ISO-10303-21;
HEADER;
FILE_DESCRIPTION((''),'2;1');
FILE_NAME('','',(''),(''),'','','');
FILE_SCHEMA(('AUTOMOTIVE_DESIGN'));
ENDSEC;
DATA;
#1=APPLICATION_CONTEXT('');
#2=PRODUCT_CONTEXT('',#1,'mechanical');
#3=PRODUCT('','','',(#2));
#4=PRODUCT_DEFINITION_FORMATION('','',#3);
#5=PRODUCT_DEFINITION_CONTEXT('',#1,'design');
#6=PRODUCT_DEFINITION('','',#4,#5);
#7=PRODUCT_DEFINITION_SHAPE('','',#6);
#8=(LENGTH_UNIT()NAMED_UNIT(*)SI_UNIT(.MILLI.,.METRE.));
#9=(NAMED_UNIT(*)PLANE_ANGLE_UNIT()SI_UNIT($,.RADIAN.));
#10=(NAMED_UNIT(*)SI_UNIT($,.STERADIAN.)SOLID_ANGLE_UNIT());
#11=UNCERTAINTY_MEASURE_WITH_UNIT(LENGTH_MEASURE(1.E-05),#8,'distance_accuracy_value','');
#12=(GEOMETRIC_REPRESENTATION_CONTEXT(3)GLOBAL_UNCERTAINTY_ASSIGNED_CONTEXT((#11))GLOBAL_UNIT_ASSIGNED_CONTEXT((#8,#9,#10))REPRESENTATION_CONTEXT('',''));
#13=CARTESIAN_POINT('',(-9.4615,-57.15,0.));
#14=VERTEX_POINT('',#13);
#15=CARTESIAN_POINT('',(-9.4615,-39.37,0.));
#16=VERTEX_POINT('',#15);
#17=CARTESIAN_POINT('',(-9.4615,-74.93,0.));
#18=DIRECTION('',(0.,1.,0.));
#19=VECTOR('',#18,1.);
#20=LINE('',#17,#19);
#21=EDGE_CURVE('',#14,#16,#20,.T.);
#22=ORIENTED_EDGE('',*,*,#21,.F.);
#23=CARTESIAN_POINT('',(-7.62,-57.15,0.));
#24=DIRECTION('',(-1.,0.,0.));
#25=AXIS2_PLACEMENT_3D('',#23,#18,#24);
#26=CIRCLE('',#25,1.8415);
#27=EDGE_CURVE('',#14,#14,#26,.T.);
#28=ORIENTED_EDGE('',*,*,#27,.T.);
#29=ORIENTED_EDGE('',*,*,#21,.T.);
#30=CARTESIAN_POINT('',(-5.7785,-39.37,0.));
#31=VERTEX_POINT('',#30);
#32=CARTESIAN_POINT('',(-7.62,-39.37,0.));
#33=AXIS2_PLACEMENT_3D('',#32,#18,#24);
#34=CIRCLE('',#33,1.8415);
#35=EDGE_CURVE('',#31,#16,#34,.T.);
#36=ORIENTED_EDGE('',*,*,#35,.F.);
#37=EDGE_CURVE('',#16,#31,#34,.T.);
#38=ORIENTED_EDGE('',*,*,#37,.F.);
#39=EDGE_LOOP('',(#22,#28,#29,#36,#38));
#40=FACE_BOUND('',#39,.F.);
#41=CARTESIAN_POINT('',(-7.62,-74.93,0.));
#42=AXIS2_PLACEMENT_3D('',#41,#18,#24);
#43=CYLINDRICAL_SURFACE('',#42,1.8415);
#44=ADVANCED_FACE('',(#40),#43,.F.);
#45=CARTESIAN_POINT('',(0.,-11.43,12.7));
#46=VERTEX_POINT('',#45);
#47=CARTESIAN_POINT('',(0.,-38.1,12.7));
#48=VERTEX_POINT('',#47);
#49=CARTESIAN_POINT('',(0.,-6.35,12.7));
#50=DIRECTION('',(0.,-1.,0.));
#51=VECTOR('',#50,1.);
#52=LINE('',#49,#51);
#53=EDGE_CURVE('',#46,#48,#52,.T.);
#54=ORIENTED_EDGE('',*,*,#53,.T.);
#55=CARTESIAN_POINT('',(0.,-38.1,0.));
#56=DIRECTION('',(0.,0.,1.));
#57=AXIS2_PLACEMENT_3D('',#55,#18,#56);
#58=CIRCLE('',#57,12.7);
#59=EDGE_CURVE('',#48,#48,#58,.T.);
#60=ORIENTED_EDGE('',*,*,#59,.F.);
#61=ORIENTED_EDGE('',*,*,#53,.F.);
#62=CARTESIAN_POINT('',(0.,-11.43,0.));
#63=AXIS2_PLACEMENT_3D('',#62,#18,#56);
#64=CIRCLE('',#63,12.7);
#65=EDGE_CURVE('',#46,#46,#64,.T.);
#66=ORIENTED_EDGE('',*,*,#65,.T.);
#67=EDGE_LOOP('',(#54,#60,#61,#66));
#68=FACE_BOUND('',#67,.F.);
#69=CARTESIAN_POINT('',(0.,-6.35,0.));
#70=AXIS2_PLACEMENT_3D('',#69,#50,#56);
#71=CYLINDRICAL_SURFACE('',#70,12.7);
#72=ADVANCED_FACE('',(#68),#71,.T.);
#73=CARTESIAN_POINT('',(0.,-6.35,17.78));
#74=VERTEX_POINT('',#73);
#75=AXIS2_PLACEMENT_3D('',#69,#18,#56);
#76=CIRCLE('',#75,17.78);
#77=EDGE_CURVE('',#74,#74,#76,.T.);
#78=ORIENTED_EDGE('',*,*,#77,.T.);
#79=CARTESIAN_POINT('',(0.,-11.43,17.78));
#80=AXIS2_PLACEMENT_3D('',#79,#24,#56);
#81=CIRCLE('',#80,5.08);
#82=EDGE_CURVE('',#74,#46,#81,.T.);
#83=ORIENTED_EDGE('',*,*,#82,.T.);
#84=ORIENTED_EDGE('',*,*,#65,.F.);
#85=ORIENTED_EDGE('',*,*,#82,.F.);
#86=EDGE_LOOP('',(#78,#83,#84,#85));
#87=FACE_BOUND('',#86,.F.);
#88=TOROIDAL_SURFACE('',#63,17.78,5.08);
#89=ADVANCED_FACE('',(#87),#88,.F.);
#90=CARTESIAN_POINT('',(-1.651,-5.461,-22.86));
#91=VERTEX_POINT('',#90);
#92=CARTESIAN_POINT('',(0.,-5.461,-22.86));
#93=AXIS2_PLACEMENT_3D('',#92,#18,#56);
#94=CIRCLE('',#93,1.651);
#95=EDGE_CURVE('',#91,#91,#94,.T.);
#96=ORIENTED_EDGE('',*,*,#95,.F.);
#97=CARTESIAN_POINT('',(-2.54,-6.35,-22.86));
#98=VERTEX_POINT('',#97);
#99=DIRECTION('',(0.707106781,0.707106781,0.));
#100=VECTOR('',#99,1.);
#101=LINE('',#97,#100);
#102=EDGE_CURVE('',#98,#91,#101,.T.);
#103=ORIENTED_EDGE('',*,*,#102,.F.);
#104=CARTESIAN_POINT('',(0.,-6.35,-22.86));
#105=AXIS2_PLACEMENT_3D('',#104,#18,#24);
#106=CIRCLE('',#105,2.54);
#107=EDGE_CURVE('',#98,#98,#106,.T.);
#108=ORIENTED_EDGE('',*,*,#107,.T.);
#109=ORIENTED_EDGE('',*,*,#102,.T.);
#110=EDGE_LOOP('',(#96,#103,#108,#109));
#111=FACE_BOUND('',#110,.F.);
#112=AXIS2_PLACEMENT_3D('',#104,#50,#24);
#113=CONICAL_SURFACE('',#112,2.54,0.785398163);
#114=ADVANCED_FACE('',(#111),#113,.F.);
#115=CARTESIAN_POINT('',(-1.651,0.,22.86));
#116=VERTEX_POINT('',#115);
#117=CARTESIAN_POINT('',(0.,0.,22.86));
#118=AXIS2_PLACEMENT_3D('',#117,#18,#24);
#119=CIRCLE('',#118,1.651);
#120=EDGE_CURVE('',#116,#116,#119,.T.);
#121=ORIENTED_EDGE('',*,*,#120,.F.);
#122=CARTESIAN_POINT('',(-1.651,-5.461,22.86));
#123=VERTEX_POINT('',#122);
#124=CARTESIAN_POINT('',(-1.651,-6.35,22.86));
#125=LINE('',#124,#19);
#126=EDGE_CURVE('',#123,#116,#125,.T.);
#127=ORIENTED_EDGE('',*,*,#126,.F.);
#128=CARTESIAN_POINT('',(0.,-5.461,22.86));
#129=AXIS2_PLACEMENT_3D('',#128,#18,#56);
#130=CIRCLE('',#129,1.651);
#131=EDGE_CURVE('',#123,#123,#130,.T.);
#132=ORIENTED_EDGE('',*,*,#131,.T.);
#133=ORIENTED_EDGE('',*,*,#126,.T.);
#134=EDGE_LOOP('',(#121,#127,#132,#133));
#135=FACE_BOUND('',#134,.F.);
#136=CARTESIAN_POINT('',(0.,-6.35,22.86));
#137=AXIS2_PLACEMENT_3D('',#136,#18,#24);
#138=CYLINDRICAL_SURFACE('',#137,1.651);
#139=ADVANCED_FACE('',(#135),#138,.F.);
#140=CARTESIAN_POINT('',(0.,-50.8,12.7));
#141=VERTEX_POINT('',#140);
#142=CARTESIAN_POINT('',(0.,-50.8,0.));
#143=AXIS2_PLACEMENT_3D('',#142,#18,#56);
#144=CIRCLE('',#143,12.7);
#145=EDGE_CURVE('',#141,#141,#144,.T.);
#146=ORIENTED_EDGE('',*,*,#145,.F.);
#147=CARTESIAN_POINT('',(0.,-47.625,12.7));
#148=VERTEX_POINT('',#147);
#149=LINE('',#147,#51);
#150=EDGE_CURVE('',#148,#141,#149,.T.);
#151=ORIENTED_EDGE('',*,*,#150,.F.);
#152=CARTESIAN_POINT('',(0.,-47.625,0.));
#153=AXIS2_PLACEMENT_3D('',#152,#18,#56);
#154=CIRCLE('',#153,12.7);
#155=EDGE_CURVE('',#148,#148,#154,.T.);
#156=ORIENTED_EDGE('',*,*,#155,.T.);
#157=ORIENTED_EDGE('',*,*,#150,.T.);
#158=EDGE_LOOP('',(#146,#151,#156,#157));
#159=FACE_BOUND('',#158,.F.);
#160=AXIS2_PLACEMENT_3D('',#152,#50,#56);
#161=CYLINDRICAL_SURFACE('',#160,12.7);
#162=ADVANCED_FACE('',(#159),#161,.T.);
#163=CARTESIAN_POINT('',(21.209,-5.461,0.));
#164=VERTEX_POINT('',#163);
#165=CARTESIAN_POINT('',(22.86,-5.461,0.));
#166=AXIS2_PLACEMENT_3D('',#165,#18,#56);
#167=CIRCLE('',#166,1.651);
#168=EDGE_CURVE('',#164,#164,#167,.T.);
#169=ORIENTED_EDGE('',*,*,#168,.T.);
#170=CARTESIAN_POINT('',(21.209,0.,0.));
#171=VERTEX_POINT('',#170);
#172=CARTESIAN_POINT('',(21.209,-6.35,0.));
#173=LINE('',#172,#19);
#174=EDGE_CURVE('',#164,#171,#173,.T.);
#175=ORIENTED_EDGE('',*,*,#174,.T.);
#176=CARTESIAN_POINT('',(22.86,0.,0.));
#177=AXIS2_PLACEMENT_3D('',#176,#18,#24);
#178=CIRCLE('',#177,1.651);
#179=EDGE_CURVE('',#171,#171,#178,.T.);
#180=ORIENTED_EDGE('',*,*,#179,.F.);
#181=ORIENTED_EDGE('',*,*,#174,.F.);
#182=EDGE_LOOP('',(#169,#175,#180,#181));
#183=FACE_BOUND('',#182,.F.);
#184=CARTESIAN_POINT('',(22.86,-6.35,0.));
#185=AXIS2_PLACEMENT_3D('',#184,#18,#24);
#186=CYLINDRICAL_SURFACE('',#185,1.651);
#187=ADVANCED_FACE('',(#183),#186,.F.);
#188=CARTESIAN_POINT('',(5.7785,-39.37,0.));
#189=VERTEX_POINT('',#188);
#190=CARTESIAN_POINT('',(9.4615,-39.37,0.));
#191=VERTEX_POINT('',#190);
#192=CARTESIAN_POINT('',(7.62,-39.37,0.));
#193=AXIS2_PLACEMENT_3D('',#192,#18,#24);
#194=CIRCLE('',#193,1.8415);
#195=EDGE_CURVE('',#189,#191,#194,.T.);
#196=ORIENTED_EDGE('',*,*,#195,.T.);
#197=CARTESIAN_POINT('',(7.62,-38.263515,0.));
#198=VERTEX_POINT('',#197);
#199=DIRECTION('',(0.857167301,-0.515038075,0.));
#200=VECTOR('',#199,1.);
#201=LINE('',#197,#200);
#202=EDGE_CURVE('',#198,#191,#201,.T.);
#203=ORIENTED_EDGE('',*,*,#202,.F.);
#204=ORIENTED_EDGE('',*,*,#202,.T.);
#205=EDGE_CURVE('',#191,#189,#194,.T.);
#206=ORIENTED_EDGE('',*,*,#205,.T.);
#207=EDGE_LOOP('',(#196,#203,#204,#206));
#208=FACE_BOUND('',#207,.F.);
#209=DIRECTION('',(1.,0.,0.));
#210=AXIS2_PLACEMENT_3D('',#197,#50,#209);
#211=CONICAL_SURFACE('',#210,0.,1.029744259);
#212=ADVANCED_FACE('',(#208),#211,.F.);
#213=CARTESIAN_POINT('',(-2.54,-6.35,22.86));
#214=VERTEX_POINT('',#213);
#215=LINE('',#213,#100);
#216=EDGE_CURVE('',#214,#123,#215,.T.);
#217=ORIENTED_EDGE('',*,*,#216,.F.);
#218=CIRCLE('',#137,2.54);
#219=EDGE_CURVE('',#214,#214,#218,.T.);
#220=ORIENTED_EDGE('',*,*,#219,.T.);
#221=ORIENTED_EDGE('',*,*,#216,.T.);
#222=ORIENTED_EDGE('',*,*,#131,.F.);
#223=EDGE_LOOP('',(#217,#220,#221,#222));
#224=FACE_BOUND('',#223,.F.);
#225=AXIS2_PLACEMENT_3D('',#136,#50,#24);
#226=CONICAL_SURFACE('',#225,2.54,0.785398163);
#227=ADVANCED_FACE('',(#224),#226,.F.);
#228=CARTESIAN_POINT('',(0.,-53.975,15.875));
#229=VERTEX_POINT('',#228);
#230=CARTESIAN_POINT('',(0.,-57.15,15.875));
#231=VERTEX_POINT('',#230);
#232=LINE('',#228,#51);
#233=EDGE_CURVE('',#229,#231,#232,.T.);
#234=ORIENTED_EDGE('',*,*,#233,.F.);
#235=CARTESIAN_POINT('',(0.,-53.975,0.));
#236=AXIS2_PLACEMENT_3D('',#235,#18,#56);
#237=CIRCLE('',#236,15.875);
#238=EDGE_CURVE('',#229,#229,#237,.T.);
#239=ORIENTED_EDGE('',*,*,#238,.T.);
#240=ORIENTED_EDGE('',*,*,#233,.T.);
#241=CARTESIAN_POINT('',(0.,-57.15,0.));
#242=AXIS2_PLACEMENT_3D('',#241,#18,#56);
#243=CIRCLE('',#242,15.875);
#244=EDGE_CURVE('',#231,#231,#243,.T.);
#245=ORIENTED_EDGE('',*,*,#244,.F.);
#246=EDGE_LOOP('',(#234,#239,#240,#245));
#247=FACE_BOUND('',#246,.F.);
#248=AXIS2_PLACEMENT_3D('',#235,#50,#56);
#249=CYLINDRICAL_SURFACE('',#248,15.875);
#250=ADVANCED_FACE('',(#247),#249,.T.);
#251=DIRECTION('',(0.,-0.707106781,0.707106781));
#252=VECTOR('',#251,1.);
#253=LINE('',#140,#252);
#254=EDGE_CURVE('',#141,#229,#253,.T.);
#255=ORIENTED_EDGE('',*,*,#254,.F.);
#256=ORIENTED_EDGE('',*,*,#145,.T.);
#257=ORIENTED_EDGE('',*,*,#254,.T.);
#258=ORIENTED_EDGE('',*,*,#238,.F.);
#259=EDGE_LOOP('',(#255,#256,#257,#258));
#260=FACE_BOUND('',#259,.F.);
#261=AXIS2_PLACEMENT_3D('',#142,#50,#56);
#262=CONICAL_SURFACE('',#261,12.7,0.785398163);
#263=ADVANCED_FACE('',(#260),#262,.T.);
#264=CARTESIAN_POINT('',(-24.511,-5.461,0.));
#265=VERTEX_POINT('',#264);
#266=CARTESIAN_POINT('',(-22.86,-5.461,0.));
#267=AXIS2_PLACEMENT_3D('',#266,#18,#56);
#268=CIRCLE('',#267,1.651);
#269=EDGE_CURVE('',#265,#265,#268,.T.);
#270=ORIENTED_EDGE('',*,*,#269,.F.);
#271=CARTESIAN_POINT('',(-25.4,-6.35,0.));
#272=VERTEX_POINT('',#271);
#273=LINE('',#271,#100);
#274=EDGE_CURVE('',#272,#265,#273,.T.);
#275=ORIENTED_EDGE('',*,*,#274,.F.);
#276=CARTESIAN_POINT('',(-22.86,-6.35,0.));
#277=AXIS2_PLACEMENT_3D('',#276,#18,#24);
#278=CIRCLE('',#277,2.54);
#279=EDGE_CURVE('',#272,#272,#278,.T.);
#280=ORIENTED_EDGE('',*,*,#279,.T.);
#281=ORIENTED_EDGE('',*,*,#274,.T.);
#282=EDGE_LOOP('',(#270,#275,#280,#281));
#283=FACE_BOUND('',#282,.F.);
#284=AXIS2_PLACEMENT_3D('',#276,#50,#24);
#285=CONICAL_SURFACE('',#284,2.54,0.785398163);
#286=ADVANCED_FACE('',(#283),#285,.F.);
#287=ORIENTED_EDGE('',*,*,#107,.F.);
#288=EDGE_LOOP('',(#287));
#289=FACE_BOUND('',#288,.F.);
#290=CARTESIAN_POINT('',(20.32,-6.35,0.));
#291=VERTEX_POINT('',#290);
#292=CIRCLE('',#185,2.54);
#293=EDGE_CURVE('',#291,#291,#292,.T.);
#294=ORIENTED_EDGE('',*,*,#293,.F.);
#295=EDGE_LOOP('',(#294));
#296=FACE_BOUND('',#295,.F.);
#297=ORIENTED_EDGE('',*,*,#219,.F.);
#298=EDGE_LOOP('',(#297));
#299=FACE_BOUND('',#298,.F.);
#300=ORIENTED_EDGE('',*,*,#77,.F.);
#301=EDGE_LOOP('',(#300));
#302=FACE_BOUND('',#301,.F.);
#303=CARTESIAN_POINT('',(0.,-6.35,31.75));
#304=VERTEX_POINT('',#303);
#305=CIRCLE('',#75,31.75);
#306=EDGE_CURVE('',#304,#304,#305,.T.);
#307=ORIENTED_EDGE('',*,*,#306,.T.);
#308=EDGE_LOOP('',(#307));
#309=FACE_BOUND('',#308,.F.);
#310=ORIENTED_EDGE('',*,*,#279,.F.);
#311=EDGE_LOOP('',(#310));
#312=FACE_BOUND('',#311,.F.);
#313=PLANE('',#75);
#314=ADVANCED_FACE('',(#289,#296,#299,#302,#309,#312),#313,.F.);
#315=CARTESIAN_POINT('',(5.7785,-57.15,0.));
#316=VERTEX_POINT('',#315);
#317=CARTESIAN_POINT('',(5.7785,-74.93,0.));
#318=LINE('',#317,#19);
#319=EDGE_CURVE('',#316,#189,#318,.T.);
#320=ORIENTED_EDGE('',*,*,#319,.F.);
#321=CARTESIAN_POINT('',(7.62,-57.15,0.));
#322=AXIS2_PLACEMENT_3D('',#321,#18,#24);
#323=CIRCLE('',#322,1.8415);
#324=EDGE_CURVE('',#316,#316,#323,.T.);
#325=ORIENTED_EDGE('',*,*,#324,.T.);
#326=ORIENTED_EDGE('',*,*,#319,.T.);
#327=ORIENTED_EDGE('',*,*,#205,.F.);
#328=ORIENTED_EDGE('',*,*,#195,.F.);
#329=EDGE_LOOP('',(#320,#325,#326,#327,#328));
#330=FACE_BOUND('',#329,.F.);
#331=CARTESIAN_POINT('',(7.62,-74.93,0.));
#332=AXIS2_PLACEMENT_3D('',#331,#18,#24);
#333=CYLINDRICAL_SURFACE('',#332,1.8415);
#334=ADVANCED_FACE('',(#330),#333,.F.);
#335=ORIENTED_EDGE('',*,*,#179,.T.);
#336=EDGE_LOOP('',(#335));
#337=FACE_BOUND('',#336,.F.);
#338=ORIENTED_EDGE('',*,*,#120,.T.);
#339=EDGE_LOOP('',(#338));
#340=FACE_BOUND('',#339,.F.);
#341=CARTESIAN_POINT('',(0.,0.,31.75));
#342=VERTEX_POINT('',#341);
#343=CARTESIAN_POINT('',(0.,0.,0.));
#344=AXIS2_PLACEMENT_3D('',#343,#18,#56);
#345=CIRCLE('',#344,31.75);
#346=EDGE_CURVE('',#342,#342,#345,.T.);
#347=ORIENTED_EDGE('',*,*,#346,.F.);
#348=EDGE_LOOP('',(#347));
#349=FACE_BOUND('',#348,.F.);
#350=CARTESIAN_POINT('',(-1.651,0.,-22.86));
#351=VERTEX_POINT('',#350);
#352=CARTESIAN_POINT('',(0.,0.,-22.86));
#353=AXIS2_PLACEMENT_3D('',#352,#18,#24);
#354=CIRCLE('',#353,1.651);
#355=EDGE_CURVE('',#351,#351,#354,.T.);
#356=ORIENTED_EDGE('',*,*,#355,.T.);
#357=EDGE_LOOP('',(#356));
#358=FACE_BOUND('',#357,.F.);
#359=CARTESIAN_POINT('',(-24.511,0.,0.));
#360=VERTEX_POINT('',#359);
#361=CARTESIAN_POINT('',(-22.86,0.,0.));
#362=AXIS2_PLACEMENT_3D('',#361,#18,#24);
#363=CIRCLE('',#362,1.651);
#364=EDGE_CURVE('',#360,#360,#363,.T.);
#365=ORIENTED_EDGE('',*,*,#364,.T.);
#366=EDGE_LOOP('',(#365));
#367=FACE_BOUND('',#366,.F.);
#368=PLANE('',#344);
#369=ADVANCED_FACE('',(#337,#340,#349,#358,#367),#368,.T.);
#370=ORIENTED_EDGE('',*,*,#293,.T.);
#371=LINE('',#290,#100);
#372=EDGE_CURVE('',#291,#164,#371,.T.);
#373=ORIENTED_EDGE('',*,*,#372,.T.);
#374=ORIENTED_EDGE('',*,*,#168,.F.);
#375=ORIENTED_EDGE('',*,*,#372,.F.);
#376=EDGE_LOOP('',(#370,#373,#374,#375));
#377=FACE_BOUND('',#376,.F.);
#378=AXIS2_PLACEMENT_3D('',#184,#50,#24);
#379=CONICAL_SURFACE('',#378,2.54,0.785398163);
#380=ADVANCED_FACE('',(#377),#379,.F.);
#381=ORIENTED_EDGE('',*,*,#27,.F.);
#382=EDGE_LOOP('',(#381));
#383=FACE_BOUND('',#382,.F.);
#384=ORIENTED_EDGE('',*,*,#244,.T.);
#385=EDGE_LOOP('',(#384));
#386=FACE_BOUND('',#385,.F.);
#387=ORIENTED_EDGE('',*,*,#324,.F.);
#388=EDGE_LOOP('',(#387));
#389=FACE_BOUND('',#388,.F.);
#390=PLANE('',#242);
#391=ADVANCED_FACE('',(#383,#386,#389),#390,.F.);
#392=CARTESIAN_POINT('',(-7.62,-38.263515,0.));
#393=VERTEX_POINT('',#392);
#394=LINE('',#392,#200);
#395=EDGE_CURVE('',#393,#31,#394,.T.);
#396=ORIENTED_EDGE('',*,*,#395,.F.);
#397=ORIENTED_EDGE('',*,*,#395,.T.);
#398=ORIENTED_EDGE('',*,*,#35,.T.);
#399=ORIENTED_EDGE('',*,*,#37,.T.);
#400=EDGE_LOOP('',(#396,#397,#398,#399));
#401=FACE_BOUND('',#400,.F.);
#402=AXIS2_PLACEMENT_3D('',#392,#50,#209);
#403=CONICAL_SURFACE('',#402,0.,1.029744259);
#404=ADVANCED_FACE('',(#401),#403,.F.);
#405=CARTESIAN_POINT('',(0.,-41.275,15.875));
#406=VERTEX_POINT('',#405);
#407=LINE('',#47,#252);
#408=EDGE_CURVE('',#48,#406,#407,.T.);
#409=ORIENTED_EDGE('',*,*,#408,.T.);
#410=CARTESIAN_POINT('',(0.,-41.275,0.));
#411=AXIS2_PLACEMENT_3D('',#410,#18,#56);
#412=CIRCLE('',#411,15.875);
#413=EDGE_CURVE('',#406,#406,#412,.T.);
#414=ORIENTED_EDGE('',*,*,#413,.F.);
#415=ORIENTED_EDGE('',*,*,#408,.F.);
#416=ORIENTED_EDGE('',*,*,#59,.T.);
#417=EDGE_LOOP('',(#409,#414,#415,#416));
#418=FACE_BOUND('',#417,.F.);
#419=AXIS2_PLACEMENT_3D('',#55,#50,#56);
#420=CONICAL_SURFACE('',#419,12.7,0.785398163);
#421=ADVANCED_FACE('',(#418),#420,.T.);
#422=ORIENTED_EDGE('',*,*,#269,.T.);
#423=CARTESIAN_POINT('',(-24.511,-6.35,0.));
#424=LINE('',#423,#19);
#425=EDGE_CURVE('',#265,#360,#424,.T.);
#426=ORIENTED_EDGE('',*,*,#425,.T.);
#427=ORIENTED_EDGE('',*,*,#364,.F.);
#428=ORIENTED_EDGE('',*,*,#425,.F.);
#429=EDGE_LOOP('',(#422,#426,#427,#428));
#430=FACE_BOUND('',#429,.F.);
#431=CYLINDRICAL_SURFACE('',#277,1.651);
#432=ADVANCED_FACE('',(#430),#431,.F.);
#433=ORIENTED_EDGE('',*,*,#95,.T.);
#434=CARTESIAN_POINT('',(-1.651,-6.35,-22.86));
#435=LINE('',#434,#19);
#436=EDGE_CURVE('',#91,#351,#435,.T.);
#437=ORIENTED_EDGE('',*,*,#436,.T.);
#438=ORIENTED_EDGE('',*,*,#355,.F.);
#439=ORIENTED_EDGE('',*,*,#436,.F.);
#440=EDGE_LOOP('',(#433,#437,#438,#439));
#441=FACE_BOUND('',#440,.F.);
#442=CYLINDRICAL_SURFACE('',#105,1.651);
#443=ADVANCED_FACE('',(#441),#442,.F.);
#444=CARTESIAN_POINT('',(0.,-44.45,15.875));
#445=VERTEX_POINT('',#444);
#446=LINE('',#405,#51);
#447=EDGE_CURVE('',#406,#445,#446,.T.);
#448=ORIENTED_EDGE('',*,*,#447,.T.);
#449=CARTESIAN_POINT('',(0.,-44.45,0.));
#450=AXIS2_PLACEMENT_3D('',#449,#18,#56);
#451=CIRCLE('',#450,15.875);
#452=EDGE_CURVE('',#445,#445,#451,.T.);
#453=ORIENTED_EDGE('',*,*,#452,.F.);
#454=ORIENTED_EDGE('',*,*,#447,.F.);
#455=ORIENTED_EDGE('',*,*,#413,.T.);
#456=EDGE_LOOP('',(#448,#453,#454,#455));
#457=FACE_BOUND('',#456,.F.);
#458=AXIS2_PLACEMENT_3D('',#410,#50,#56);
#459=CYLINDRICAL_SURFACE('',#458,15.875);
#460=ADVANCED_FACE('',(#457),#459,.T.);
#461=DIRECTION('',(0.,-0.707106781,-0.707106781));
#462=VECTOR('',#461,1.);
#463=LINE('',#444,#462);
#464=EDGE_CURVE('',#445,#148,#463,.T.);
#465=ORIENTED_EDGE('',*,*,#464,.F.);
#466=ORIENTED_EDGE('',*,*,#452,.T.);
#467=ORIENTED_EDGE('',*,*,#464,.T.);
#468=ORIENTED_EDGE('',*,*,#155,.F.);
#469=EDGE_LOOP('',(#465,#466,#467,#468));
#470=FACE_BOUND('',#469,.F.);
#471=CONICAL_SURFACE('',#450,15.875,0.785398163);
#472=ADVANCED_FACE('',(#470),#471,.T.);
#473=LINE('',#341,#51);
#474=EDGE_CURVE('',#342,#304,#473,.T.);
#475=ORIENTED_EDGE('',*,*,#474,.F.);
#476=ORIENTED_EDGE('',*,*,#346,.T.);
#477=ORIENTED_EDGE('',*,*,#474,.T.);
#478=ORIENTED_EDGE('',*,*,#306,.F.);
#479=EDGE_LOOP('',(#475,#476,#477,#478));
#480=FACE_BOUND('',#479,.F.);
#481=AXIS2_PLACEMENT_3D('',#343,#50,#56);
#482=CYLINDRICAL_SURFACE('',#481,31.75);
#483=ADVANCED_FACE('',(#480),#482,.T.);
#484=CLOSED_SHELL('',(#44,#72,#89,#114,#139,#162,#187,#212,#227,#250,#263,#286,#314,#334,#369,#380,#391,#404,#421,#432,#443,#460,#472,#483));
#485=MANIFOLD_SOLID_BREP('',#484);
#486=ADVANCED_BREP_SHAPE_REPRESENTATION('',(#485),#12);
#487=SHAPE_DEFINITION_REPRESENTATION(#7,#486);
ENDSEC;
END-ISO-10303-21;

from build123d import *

# Parameters (mm, degrees)
F3_D           = 3.302
F3_CSINK_D     = 5.08
F3_CSINK_ANGLE = 90
F5_D           = 3.683
F5_DEPTH       = 17.78
F5_TIP         = 1.1064848299
F6_R           = 5.08


with BuildPart() as f1:
    # F0 (on Right) → F1 (revolve)
    with BuildSketch(Plane.YZ):
        Polygon((-57.15, 0), (0, 0), (0, 31.75), (-6.35, 31.75), (-6.35, 12.7), (-38.1, 12.7), (-41.275, 15.875), (-44.45, 15.875), (-47.625, 12.7), (-50.8, 12.7), (-53.975, 15.875), (-57.15, 15.875), align=None)
    revolve(axis=Axis((0, -28.575, 0), (0, 1, 0)))

    # F3 (through all)
    with Locations(Plane.XZ.offset(6.35)):
        with Locations((0, 22.86), (22.86, 0), (0, -22.86), (-22.86, 0)):
            CounterSinkHole(F3_D / 2, F3_CSINK_D / 2, counter_sink_angle=F3_CSINK_ANGLE)

    # F5
    with Locations(Plane.XZ.offset(57.15)):
        with Locations((-7.62, 0), (7.62, 0)):
            Hole(F5_D / 2, depth=F5_DEPTH)
            with Locations((0, 0, -(F5_DEPTH + F5_TIP / 2))):  # 118° drill point
                Cone(0, F5_D / 2, F5_TIP, mode=Mode.SUBTRACT)

    # F6
    f6_edges = [f1.edges().sort_by_distance(p)[0] for p in [
        (0, -6.35, -12.7),
    ]]
    fillet(f6_edges, radius=F6_R)


solid = f1.part
